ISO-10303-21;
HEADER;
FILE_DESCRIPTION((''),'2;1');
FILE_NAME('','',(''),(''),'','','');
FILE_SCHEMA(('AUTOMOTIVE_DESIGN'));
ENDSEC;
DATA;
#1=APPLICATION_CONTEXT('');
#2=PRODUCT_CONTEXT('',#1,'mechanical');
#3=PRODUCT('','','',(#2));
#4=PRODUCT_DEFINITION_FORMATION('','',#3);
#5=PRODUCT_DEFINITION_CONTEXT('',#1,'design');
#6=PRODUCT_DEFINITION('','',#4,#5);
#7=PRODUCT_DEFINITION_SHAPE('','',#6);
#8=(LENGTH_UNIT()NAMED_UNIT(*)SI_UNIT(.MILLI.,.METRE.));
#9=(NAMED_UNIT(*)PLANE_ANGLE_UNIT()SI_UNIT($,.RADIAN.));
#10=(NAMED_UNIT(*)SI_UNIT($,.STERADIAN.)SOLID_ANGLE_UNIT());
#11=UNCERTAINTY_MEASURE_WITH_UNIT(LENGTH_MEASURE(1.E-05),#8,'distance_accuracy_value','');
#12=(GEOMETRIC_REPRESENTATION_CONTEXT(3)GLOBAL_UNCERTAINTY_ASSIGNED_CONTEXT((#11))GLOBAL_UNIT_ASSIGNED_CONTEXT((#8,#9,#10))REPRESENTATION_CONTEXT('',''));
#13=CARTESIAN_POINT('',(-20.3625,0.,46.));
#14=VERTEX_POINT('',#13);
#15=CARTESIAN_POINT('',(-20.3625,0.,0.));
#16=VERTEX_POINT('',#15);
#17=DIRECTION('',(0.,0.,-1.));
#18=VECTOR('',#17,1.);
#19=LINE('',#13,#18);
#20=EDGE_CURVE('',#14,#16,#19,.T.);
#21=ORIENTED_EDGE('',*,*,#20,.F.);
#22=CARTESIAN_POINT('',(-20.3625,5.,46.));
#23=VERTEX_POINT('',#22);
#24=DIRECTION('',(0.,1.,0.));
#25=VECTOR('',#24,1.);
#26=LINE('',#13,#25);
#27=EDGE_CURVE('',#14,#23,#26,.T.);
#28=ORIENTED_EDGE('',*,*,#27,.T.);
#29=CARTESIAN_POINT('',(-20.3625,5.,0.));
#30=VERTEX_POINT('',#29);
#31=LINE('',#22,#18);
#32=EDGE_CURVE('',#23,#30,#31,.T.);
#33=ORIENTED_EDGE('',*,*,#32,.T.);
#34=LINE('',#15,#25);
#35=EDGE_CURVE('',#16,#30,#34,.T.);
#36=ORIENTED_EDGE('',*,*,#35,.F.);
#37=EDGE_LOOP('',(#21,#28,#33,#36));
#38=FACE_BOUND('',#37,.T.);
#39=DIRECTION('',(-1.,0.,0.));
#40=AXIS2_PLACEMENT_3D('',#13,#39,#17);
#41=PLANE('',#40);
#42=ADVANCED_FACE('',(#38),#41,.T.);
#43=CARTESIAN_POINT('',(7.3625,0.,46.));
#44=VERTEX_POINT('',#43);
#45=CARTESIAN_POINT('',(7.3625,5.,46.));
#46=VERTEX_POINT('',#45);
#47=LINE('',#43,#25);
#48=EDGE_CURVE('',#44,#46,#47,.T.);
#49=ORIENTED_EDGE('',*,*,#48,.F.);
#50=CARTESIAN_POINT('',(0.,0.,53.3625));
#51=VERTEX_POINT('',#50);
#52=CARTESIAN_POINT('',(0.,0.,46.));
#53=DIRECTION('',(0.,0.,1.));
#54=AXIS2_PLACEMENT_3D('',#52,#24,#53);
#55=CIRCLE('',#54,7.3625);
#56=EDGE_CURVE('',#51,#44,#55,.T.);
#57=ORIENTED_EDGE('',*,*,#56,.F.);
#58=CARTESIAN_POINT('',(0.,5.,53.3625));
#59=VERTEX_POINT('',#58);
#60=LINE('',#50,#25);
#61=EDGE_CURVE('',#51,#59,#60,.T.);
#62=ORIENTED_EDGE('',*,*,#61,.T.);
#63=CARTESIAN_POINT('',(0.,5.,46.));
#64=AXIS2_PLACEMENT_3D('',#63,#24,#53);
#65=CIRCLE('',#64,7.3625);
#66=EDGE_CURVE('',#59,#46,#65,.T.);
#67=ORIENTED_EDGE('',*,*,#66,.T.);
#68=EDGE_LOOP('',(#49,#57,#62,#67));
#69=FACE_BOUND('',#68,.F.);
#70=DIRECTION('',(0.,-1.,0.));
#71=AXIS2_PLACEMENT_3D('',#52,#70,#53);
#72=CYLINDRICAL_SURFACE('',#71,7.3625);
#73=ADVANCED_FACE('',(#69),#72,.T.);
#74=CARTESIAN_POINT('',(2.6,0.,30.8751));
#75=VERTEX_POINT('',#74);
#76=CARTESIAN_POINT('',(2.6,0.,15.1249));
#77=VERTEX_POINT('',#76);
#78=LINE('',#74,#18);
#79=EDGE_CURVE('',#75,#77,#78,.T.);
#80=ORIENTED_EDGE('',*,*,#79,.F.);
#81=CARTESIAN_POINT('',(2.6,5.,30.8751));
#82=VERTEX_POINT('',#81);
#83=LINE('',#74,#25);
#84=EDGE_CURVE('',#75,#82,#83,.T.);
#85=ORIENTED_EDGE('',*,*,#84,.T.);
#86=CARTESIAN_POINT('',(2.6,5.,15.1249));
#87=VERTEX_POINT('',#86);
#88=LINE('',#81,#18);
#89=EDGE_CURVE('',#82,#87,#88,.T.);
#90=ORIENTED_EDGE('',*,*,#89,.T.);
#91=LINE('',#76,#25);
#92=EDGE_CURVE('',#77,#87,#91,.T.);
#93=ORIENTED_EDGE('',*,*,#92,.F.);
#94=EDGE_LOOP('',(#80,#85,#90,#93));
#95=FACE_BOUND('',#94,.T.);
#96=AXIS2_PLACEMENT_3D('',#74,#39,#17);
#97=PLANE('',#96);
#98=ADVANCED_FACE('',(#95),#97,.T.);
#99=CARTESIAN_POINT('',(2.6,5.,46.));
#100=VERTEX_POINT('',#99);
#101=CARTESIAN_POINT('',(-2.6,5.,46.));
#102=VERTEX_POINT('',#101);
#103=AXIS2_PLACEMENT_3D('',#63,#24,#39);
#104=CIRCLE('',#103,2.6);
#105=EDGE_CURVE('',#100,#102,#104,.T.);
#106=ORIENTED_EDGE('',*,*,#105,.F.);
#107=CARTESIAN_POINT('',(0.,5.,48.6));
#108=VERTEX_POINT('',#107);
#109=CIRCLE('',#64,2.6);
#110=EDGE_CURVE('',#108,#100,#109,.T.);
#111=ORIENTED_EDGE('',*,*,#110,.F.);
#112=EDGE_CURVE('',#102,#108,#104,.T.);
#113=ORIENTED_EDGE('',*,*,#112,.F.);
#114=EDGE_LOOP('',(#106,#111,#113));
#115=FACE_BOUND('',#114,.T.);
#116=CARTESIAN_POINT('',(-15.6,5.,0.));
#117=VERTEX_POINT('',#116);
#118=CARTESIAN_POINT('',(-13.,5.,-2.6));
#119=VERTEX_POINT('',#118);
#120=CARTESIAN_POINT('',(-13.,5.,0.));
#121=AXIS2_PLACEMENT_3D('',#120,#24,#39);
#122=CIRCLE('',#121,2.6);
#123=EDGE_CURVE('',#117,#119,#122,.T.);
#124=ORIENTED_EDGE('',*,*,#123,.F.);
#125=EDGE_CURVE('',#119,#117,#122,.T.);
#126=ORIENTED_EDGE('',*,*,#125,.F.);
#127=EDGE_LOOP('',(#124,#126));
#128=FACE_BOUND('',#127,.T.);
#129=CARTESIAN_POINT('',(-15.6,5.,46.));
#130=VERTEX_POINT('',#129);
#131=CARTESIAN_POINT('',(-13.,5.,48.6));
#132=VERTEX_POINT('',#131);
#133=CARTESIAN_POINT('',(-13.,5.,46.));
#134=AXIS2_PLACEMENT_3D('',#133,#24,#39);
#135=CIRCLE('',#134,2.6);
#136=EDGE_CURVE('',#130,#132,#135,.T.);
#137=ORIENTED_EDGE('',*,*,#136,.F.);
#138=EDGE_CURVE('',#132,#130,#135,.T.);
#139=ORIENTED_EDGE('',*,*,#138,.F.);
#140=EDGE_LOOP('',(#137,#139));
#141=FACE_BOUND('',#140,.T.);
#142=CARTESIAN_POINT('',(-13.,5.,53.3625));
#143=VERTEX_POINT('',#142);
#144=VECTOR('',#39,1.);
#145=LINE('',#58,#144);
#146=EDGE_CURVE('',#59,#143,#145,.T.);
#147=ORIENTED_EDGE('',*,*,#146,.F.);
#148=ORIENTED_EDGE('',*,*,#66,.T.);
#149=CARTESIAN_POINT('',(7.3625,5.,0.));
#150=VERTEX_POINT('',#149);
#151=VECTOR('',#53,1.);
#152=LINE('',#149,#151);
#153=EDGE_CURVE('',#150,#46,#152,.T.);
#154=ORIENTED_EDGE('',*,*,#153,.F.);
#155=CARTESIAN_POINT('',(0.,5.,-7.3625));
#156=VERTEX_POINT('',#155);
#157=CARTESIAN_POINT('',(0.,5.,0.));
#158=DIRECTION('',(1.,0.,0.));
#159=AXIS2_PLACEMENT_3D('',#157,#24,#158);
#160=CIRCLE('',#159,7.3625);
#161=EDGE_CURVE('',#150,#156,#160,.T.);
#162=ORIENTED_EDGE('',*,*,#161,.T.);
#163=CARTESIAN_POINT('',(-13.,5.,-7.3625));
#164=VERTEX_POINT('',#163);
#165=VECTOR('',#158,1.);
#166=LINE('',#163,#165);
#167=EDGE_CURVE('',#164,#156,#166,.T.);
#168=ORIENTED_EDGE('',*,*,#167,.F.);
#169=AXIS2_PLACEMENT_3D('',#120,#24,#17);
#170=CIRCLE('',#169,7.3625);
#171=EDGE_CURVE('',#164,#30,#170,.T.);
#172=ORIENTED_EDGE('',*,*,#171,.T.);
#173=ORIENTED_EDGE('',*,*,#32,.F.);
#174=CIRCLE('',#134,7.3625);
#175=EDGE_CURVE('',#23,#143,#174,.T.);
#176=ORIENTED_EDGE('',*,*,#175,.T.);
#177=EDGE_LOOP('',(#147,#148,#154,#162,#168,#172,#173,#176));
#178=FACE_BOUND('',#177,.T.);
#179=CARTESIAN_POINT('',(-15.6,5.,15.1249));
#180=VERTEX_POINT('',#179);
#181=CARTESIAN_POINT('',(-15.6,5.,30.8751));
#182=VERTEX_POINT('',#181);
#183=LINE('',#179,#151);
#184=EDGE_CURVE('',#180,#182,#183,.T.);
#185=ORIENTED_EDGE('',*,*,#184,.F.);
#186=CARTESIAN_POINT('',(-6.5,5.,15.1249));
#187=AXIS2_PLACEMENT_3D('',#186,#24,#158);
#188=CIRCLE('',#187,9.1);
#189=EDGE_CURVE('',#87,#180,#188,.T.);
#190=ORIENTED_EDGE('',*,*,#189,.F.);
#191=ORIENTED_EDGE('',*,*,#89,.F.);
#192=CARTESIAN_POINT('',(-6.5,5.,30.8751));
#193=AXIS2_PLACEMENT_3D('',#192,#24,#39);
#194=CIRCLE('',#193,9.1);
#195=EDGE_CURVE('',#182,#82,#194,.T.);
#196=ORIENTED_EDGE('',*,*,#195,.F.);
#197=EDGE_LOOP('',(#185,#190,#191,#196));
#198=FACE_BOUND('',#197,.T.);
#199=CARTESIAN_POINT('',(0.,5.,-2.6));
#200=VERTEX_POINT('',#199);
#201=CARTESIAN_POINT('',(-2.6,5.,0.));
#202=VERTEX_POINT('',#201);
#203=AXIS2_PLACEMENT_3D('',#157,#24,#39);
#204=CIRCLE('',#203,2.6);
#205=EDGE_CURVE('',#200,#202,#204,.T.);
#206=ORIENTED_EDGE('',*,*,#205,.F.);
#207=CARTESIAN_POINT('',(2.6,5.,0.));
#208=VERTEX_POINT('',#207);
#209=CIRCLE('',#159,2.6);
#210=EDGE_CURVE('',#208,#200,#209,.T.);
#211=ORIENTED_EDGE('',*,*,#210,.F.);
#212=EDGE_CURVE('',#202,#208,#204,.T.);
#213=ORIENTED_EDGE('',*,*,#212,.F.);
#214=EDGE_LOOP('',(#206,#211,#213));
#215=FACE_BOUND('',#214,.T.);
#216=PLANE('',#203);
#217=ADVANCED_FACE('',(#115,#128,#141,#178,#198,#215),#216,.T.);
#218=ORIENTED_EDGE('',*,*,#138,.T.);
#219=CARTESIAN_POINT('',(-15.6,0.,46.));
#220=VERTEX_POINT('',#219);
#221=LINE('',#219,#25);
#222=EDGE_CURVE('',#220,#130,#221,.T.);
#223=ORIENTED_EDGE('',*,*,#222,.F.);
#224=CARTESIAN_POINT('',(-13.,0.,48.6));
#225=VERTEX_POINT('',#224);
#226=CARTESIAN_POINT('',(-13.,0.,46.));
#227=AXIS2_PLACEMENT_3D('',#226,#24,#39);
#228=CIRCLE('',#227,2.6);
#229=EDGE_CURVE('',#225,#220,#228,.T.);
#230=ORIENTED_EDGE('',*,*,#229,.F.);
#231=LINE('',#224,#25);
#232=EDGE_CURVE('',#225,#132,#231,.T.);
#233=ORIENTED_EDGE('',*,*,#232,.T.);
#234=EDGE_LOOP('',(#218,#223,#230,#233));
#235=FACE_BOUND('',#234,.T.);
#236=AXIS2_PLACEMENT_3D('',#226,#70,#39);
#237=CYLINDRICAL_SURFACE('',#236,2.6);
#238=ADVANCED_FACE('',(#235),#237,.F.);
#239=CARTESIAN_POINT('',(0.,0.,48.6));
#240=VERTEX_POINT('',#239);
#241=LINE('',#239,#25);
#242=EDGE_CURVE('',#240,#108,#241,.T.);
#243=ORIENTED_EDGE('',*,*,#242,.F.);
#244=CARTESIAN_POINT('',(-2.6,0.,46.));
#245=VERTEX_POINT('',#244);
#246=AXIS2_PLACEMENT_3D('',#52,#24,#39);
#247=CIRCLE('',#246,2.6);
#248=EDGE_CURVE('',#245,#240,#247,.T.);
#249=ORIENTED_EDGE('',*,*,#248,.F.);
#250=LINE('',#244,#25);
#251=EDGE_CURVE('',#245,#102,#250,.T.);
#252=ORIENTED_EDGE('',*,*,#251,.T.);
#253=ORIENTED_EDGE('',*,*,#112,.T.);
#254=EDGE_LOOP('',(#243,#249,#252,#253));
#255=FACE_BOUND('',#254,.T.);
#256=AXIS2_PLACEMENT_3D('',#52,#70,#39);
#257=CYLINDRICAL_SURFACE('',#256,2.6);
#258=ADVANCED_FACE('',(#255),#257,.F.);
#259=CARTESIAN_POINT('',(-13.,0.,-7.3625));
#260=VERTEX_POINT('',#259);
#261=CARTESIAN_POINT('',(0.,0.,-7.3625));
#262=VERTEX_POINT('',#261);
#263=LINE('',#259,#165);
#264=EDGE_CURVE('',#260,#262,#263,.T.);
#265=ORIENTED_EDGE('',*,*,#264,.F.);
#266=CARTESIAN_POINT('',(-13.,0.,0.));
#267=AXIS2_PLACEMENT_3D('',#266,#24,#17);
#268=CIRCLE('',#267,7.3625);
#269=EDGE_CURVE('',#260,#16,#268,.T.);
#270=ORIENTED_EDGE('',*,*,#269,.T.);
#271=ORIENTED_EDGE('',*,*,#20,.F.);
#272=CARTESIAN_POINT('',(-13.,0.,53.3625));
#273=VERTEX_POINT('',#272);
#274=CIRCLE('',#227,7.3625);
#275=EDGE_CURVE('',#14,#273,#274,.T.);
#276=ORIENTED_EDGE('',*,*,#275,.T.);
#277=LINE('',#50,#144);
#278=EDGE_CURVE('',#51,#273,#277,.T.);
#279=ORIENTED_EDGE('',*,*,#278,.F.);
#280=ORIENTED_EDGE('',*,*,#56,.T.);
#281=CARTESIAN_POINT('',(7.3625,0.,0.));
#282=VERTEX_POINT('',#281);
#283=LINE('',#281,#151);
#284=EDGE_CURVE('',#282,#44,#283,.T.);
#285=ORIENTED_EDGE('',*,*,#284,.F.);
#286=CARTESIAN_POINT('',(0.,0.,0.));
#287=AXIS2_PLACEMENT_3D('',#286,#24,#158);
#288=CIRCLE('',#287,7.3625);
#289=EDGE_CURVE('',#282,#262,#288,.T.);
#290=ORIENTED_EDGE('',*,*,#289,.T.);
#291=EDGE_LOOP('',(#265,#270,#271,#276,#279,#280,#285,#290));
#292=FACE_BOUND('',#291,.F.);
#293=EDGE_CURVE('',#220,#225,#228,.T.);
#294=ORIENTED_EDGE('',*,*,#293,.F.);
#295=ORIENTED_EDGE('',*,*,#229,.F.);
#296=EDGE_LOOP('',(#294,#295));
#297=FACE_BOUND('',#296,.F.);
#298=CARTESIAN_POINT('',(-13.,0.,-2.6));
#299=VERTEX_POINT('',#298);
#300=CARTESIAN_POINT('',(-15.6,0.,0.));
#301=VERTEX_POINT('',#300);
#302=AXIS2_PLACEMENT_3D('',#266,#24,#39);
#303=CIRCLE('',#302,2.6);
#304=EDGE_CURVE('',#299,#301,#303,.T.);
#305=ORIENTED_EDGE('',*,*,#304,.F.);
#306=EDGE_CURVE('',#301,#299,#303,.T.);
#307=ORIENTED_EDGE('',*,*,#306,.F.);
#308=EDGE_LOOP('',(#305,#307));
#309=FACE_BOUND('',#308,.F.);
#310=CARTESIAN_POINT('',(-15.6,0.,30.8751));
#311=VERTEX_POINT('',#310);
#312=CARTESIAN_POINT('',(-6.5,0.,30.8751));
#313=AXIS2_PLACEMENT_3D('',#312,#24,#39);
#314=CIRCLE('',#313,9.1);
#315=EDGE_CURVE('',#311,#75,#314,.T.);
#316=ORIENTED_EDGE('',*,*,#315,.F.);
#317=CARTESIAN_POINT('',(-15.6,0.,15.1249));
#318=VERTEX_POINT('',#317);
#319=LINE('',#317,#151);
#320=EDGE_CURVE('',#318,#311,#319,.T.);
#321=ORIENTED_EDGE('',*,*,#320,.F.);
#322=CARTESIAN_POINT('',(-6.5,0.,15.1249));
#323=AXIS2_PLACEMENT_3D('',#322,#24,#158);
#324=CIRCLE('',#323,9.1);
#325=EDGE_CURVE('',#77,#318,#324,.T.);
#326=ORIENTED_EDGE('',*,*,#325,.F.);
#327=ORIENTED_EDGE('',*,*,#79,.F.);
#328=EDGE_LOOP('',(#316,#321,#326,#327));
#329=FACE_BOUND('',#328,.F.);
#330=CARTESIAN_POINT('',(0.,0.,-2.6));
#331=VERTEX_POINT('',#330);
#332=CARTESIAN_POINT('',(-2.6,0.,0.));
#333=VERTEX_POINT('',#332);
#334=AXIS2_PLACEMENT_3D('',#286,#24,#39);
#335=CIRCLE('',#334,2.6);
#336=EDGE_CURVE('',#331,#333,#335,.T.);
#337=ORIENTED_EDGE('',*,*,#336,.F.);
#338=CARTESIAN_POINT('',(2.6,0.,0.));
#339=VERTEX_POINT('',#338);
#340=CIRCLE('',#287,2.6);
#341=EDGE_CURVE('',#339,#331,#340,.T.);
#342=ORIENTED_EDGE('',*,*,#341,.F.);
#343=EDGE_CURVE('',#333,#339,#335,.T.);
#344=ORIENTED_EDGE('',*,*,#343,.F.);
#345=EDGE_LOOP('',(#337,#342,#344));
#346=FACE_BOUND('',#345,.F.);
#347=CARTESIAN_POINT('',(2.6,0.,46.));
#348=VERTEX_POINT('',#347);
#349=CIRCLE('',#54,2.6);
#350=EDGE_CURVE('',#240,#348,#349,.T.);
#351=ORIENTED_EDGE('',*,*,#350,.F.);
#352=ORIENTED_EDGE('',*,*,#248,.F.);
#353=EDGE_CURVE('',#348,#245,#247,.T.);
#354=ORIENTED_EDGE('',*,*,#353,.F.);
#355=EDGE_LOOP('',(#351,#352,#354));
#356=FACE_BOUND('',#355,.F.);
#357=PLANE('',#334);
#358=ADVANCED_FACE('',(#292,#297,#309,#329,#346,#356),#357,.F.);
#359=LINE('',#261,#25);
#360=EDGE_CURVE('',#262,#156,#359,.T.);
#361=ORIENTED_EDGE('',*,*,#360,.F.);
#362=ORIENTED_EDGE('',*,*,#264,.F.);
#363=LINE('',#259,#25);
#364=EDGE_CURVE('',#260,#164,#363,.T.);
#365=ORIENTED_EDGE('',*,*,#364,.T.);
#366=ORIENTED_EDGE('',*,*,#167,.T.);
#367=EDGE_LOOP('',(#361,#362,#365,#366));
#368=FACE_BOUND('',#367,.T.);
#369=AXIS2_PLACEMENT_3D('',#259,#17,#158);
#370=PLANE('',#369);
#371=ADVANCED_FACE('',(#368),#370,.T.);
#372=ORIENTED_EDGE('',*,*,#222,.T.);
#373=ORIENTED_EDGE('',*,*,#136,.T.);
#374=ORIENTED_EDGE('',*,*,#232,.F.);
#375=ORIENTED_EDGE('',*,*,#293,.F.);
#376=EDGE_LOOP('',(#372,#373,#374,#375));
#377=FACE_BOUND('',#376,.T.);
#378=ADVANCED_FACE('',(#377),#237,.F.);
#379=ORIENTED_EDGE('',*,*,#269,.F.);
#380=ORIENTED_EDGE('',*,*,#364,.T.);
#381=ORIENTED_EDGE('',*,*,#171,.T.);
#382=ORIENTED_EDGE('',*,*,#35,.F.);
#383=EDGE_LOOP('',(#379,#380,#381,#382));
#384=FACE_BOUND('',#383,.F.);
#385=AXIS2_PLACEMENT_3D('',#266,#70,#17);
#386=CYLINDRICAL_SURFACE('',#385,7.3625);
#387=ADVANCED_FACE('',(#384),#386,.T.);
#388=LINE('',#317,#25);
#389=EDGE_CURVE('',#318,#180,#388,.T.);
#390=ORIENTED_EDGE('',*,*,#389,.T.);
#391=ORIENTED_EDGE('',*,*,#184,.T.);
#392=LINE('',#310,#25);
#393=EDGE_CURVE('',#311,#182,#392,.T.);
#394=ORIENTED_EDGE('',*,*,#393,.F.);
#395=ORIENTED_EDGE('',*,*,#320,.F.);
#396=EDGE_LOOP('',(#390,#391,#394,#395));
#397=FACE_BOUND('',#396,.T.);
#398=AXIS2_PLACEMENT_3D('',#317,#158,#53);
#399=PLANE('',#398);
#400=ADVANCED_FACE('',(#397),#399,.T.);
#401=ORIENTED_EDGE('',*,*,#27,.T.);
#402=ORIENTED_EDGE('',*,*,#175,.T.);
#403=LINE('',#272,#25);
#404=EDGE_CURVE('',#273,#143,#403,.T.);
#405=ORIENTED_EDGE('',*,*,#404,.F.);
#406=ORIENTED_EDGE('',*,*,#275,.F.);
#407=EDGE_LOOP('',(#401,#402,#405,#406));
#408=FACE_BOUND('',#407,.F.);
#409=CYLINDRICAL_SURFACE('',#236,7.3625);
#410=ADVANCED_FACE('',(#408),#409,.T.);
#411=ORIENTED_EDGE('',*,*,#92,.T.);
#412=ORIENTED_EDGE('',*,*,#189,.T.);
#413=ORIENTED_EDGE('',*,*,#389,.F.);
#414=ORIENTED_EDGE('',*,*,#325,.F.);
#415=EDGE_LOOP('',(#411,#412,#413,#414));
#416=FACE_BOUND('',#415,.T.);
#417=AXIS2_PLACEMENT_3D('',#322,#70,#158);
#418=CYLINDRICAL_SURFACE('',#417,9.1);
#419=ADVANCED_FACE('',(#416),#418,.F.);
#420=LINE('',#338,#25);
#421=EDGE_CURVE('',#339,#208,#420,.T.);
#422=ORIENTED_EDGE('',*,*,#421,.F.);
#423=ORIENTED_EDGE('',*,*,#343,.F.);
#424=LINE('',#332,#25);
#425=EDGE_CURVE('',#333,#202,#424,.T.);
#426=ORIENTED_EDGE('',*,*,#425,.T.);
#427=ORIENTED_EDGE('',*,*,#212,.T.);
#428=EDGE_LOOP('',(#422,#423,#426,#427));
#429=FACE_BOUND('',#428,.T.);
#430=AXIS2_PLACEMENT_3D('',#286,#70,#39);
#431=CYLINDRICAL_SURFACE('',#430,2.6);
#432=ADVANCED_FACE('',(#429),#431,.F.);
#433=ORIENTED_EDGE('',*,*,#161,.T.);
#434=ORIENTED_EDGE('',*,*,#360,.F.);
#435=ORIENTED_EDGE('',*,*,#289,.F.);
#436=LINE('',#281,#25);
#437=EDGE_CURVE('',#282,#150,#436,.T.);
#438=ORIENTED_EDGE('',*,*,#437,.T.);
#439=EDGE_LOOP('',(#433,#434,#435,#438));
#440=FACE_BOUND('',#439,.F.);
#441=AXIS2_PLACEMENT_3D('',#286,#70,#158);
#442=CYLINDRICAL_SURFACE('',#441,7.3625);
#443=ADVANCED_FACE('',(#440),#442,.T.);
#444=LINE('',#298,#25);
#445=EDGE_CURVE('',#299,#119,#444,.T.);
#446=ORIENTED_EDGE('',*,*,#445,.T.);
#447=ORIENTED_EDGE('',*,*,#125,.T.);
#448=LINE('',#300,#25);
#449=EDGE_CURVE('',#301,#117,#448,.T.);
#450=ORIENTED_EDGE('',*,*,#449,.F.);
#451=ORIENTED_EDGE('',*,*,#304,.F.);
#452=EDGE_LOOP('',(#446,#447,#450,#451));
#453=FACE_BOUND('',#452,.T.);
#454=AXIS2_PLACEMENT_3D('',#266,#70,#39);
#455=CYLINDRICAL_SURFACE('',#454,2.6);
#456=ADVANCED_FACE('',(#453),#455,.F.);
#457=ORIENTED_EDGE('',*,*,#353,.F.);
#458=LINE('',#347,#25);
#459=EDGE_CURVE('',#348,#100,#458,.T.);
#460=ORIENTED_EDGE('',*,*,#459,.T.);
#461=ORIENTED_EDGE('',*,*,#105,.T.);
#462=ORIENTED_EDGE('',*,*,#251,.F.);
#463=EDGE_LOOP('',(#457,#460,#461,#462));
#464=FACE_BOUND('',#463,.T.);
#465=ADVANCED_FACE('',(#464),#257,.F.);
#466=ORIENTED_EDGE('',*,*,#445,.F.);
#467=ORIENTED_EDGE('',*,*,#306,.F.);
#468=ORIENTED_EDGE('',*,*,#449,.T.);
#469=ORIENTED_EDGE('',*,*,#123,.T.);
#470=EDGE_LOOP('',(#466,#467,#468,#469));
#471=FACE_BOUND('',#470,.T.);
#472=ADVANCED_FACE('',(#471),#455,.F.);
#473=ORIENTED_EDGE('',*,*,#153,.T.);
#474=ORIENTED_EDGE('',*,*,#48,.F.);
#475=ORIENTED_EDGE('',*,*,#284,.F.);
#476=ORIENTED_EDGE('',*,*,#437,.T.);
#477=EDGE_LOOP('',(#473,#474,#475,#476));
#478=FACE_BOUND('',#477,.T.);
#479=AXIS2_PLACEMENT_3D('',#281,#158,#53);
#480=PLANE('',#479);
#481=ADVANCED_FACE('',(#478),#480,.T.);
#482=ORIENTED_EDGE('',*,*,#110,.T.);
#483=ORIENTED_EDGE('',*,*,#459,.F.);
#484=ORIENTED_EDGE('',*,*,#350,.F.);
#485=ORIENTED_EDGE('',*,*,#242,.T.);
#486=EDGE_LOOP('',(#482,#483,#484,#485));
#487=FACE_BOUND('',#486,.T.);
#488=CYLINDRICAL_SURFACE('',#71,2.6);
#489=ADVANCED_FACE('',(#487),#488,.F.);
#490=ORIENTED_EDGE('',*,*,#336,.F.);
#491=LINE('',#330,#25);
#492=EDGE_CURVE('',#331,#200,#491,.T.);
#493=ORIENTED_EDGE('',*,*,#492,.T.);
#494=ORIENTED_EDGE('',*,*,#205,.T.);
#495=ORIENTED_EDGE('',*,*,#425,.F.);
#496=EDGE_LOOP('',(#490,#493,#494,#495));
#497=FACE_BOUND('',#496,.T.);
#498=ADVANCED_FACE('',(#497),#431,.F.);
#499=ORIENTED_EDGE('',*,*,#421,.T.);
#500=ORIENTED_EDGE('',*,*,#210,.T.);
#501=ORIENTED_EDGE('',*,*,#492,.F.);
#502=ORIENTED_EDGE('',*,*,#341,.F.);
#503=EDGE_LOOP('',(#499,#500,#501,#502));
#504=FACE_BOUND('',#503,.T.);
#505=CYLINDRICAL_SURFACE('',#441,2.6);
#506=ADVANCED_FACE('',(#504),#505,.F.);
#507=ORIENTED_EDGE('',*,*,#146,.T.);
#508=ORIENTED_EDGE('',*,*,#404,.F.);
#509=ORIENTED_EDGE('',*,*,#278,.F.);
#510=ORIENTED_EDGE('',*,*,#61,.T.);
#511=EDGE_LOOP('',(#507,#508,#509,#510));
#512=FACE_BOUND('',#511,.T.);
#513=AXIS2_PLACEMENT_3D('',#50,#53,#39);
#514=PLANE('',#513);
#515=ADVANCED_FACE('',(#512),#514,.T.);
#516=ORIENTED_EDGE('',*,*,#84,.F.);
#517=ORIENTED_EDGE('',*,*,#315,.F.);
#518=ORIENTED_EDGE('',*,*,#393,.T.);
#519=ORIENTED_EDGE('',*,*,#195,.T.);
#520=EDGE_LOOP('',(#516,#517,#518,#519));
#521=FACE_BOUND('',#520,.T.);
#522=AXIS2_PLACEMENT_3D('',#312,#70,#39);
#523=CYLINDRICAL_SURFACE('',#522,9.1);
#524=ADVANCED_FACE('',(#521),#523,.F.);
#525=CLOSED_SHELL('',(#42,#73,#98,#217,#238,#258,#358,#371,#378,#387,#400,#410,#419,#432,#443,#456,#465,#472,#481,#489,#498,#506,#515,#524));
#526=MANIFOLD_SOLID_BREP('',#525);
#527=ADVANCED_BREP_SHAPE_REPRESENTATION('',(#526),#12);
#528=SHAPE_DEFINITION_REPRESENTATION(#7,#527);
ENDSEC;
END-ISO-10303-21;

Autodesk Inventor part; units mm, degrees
ref_plane "YZ Plane" through (0, 0, 0) normal (1, 0, 0) x (0, 1, 0)
ref_plane "XZ Plane" through (0, 0, 0) normal (0, 1, 0) x (-1, 0, 0)
ref_plane "XY Plane" through (0, 0, 0) normal (0, 0, 1) x (1, 0, 0)
sketch "Sketch1" plane through (0, 0, 0) normal (0, 1, 0) x (-1, 0, 0)
  circle A0 centre (0, 0) radius 2.6
  circle A1 centre (13, 0) radius 2.6
  circle A2 centre (13, 46) radius 2.6
  circle A3 centre (0, 46) radius 2.6
  circle A4 centre (13, 46) radius 7.3625 construction
  circle A5 centre (13, 0) radius 7.3625 construction
  circle A6 centre (0, 46) radius 7.3625 construction
  circle A7 centre (0, 0) radius 7.3625 construction
  line L0 (20.3625, 46) -> (20.3625, 0)
  line L1 (13, -7.3625) -> (0, -7.3625)
  line L2 (-7.3625, 0) -> (-7.3625, 46)
  line L3 (0, 53.3625) -> (13, 53.3625)
  arc A8 (13, -7.3625) -> (20.3625, 0) centre (13, 0) ccw
  arc A9 (-7.3625, 0) -> (0, -7.3625) centre (0, 0) ccw
  arc A10 (0, 53.3625) -> (-7.3625, 46) centre (0, 46) ccw
  arc A11 (20.3625, 46) -> (13, 53.3625) centre (13, 46) ccw
  line L4 (15.6, 45.6404) -> (15.6, 0) construction
  arc A12 (13, -2.6) -> (15.6, 0) centre (13, 0) ccw
  line L5 (13, -2.6) -> (0, -2.6) construction
  arc A13 (-2.6, 0) -> (0, -2.6) centre (0, 0) ccw
  line L6 (-2.6, 0) -> (-2.6, 46) construction
  arc A14 (0, 48.6) -> (-2.6, 46) centre (0, 46) ccw
  line L7 (0, 48.6) -> (13, 48.6) construction
  arc A15 (15.6, 46) -> (13, 48.6) centre (13, 46) ccw
  arc A16 (15.6, 30.8751) -> (-2.6, 30.8751) centre (6.5, 30.8751) ccw
  arc A17 (-2.6, 15.1249) -> (15.6, 15.1249) centre (6.5, 15.1249) ccw
  line L8 (15.6, 15.1249) -> (15.6, 30.8751)
  line L9 (-2.6, 30.8751) -> (-2.6, 15.1249)
  dimension "d0" = 5.2
  dimension "d1" = 13
  dimension "d2" = 46
  dimension "d3" = 4.7625
  dimension "d4" = 4.7625
extrude "Extrusion1" add sketch "Sketch1" along normal blind 5
properties part number "CNC-018-ZAxisBallScrewStabilizerShim1" material "ABS Plastic"
